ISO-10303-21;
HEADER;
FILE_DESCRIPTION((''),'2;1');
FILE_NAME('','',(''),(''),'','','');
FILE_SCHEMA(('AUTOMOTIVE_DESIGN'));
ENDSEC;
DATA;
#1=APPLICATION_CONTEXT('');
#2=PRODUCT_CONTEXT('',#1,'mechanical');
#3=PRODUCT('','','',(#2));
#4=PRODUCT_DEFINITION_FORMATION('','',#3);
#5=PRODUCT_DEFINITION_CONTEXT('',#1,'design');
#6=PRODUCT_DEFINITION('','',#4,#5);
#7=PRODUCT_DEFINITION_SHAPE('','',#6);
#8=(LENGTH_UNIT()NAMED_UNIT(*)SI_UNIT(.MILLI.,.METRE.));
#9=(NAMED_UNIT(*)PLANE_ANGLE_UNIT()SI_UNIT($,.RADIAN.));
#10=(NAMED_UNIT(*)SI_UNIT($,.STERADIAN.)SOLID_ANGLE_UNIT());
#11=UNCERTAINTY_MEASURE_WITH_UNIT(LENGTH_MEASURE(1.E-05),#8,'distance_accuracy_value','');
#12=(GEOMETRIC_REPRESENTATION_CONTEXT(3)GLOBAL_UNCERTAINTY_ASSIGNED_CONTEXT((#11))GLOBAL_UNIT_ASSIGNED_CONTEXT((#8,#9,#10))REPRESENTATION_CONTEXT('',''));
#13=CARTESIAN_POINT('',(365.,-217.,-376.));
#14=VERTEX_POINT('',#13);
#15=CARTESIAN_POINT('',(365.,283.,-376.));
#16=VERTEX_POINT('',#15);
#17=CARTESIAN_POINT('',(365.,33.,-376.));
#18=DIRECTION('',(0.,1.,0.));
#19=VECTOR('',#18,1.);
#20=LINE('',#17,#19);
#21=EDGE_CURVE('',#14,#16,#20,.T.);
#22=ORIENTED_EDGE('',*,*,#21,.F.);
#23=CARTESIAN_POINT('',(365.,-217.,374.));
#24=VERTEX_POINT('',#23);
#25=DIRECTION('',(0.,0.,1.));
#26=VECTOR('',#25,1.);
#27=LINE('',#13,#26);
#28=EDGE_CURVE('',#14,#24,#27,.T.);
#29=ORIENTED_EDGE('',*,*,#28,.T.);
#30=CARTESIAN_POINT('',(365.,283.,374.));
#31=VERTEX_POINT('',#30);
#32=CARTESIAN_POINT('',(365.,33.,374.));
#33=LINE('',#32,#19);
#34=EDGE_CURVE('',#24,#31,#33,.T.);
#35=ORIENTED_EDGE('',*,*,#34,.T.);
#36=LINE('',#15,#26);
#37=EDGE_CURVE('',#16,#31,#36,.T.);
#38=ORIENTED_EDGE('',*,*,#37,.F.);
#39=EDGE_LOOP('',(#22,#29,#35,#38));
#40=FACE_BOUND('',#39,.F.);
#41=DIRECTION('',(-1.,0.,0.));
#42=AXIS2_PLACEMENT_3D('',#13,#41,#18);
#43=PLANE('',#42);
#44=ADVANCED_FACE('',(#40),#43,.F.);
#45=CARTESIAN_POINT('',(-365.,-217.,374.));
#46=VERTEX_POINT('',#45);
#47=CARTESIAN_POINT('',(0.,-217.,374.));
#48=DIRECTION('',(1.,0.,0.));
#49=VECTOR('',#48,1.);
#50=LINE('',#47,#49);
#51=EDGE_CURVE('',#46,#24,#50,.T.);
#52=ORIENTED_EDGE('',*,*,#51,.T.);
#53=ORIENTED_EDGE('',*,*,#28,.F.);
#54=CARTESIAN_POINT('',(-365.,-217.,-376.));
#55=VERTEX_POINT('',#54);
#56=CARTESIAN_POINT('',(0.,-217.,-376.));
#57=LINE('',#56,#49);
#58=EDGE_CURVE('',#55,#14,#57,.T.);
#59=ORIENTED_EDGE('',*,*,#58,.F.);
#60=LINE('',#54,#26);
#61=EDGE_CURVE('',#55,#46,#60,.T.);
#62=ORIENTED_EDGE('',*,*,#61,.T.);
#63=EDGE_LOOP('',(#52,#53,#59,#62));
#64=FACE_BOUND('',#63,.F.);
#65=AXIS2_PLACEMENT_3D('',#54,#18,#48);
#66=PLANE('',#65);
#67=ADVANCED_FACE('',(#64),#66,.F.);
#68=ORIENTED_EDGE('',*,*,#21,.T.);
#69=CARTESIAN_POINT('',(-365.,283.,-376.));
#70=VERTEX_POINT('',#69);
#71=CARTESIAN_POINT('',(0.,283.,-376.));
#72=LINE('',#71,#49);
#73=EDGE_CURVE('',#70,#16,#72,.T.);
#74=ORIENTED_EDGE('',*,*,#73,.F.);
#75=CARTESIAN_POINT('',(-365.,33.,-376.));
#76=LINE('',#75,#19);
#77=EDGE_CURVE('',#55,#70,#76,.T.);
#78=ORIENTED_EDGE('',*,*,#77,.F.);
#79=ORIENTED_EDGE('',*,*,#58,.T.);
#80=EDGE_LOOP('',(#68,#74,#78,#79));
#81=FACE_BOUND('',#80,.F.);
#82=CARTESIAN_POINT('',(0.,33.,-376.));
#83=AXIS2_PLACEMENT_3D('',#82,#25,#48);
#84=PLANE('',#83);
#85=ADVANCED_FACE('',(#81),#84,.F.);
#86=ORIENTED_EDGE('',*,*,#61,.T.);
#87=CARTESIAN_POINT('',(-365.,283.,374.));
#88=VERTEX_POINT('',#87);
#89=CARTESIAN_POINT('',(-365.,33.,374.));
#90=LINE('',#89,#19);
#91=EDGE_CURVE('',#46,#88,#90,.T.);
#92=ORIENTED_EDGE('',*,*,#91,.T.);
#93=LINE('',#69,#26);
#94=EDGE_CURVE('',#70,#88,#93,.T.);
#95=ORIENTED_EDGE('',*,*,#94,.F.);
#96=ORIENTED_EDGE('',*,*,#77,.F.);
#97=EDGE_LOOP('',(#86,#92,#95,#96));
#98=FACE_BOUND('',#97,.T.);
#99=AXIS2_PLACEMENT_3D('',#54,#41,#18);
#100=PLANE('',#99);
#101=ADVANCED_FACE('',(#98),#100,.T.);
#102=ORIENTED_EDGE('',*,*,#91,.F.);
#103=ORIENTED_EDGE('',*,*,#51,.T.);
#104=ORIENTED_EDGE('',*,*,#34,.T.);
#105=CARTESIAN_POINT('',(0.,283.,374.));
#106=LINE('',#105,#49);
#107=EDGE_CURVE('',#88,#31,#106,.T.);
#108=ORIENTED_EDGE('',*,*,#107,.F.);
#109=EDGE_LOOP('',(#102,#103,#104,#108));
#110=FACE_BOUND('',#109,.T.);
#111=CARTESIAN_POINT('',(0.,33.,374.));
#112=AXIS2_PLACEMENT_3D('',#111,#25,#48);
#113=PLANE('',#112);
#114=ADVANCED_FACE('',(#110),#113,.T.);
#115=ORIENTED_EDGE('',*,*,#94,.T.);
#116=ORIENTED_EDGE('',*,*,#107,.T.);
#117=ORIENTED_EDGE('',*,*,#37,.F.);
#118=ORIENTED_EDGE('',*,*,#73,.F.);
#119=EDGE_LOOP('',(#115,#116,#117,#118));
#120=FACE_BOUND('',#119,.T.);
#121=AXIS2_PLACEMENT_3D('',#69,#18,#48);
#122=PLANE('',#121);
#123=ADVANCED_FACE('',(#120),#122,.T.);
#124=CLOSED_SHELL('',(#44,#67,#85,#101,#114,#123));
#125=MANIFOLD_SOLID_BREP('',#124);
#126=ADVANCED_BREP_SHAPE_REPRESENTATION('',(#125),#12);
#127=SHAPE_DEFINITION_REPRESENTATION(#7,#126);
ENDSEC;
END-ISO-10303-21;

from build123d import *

# Parameters (mm, degrees)
BOX_W     = 730
BOX_H     = 500
BOX_DEPTH = 750


with BuildPart() as part:
    # Box → Box (new body)
    with BuildSketch(Plane(origin=(-365, -217, -376), x_dir=(1, 0, 0), z_dir=(0, 0, 1))):
        with Locations((365, 250)):
            Rectangle(BOX_W, BOX_H)
    extrude(amount=BOX_DEPTH)


solid = part.part
